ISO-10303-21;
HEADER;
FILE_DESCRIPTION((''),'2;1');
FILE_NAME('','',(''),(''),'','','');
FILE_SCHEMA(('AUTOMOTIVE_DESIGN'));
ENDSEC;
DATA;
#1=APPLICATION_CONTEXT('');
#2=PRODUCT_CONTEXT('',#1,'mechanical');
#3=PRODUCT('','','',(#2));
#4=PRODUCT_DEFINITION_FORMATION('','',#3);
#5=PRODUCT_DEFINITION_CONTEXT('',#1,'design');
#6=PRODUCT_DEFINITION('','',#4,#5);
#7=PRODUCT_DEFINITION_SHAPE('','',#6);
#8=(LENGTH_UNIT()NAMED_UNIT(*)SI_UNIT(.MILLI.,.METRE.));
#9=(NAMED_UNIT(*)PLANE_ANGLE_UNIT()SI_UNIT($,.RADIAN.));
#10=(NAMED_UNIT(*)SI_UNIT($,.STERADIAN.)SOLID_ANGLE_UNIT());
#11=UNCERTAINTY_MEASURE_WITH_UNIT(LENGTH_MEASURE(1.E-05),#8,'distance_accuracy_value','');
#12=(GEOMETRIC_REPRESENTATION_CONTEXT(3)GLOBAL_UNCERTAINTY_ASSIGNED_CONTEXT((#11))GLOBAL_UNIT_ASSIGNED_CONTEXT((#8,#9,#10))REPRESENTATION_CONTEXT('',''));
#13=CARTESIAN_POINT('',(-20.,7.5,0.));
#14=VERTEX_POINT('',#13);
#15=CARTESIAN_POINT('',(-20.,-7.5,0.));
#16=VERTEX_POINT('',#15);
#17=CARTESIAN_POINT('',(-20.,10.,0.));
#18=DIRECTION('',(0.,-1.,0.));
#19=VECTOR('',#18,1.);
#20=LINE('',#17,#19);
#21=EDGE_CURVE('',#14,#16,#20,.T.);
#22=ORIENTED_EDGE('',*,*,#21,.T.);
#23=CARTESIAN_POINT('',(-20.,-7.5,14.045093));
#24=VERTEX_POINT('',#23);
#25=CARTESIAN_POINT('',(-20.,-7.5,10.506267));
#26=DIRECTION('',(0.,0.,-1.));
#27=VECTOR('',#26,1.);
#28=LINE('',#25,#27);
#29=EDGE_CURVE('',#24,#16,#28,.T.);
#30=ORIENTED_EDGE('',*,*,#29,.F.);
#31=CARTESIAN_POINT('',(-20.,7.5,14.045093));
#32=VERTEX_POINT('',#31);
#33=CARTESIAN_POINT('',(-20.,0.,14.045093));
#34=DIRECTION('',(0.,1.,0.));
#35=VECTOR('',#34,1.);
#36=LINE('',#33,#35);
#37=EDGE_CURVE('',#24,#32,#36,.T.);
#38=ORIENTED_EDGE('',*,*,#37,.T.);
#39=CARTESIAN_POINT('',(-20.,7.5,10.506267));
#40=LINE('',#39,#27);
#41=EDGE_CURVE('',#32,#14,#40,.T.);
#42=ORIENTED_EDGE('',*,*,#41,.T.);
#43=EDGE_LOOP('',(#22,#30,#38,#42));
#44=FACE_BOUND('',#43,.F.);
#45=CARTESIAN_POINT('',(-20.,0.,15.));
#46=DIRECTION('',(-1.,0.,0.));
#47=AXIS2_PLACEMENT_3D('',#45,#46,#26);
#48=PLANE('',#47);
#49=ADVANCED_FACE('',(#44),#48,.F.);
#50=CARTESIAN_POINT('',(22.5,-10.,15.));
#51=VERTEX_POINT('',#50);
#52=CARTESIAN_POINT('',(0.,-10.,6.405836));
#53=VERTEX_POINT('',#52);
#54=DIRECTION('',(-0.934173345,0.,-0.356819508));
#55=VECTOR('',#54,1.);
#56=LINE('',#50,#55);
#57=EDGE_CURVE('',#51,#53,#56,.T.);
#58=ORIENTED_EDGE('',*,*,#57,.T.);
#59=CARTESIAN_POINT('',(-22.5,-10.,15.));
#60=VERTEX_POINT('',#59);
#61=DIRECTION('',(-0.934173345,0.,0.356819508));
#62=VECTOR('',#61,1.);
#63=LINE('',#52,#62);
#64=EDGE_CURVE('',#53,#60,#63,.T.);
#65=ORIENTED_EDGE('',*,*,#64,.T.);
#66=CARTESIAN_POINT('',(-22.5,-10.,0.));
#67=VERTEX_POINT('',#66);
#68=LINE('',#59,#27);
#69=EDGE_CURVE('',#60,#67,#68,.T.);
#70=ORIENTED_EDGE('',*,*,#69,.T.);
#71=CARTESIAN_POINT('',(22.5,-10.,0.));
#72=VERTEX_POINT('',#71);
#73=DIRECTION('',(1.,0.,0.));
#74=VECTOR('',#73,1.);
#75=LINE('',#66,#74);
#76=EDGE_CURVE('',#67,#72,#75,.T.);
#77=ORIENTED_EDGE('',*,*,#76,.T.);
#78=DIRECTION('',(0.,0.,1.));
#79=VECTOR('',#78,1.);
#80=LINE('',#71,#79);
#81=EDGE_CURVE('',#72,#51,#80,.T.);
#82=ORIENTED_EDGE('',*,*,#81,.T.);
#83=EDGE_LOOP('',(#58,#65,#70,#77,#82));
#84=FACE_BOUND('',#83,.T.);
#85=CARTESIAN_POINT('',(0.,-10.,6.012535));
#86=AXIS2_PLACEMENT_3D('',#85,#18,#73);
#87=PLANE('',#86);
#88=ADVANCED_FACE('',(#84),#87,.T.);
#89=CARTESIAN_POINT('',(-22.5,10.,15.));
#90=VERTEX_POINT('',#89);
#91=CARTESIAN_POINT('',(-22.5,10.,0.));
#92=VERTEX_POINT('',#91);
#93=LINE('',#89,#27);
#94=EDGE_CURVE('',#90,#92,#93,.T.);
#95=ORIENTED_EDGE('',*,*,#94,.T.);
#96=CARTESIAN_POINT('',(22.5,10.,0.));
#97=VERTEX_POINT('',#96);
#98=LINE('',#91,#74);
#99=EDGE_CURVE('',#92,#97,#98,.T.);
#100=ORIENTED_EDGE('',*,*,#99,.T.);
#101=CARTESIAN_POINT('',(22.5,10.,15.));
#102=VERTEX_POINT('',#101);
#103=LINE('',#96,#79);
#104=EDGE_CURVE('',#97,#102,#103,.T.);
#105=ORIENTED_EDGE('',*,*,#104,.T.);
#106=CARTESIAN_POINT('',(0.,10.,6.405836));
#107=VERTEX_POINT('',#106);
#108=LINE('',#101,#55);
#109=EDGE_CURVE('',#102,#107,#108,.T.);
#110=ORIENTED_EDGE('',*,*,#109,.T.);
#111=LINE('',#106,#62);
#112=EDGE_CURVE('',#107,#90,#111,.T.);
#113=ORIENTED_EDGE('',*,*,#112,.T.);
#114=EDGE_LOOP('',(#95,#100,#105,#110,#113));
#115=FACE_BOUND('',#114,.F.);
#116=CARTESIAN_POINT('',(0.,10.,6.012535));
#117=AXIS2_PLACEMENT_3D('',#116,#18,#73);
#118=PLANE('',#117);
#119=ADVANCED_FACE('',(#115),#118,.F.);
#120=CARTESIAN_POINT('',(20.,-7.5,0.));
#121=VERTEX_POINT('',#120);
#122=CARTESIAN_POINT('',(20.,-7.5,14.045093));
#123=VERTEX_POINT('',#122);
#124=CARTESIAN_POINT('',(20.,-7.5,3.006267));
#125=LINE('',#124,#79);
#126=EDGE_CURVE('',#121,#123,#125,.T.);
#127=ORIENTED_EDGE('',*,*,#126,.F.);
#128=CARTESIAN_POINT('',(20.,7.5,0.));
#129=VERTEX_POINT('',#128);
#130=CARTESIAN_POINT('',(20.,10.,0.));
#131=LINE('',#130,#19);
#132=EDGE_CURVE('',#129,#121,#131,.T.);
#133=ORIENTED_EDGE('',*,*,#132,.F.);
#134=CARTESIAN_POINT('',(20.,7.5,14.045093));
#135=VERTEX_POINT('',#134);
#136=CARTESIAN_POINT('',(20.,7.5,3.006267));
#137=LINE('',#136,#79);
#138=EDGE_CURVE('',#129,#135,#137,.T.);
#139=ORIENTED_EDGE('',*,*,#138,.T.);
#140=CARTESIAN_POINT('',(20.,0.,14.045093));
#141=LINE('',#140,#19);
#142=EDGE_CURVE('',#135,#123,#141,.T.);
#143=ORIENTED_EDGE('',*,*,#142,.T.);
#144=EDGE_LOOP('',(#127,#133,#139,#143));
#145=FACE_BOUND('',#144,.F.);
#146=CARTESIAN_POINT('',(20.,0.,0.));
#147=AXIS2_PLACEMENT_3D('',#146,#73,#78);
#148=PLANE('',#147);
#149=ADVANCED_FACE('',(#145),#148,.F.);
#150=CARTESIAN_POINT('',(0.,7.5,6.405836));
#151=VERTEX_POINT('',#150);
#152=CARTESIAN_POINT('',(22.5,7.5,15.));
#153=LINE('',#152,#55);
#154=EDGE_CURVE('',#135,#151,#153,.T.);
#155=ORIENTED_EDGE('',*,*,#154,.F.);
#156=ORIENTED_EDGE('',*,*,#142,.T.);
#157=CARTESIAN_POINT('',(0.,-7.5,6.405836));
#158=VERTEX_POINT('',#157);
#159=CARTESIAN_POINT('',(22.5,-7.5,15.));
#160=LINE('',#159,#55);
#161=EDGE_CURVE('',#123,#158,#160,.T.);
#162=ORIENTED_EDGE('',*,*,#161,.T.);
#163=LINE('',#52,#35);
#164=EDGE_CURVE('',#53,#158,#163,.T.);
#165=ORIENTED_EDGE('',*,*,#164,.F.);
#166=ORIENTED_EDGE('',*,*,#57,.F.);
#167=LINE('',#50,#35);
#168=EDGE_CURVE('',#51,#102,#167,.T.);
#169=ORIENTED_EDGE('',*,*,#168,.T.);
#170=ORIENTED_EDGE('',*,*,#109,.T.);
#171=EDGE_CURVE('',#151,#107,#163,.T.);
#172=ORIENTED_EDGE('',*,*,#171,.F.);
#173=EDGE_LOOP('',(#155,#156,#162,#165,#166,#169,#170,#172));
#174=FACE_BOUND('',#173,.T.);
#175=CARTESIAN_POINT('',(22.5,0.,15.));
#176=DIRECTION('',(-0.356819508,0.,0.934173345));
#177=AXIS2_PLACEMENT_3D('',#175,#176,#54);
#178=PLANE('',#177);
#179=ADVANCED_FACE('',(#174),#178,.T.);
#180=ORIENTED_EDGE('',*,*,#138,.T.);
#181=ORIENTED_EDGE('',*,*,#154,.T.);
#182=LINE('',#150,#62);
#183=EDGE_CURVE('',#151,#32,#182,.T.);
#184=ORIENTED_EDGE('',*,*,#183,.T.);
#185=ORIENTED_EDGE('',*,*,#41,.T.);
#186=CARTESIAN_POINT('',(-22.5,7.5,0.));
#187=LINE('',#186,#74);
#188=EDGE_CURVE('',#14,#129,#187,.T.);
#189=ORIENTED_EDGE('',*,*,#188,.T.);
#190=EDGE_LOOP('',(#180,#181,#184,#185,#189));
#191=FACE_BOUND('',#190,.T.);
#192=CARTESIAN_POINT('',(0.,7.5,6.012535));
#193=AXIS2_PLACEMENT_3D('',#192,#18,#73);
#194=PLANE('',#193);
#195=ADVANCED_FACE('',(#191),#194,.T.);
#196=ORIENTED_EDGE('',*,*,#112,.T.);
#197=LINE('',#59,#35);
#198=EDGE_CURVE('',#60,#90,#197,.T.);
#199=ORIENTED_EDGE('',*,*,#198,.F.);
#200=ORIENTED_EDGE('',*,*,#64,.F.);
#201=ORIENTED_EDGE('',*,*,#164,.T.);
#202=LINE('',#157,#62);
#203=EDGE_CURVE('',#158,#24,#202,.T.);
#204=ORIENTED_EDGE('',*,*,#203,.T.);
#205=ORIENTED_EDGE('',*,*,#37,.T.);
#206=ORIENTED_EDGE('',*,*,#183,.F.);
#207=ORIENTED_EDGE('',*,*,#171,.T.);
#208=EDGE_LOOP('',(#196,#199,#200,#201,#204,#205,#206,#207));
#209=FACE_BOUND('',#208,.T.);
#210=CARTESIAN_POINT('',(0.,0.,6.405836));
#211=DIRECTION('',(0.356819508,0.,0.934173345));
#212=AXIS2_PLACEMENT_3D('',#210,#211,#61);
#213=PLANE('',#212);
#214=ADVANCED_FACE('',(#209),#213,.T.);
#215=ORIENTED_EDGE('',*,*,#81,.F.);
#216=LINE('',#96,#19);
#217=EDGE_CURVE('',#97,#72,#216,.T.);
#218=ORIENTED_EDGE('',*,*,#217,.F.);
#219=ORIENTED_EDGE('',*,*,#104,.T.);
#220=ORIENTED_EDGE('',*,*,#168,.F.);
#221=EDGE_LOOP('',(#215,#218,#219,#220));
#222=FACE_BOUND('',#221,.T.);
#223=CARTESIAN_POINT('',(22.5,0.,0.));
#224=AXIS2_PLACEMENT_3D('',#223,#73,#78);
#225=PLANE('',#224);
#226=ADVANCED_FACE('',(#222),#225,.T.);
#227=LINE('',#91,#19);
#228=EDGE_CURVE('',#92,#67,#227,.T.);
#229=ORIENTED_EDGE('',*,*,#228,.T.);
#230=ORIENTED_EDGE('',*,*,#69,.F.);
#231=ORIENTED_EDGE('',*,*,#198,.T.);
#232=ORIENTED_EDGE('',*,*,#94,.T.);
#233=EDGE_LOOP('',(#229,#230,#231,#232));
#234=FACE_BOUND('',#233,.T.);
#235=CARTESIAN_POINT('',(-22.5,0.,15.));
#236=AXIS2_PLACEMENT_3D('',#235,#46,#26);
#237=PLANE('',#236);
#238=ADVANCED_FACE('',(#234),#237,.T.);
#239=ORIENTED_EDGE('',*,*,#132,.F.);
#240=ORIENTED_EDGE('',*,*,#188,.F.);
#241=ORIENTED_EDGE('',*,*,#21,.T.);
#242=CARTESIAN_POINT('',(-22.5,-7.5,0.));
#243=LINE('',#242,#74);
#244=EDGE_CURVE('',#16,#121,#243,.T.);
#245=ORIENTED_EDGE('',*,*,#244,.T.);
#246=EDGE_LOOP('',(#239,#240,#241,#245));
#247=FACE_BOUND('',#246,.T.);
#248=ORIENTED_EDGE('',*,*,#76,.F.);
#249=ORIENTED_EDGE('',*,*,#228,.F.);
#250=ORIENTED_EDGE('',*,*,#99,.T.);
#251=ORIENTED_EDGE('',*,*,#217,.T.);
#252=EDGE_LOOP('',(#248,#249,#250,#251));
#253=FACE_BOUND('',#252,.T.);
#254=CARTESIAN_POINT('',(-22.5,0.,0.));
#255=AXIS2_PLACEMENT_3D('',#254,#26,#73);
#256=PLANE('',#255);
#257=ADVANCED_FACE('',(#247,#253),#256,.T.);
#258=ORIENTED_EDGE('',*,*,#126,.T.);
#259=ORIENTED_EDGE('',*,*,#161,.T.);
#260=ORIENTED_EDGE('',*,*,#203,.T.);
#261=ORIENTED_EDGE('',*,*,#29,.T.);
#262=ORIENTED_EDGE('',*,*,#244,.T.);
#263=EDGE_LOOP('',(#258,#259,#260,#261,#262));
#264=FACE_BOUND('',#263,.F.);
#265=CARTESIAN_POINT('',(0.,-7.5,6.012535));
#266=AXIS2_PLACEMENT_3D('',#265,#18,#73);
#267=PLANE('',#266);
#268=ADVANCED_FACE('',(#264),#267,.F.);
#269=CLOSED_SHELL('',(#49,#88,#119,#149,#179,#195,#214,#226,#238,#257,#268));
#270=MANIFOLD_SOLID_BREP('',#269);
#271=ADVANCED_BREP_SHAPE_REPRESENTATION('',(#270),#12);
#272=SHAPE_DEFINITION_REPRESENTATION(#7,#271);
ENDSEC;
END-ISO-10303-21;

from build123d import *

# Parameters (mm, degrees)
F1_DEPTH      = 10
F1_DEPTH_BACK = 10
F2_T          = -2.5


with BuildPart() as f1:
    # F0 (on Front) → F1 (new body, two sides)
    with BuildSketch(Plane.XZ) as f1_sk:
        Polygon((-22.5, 15), (-22.5, 0), (22.5, 0), (22.5, 15), (0, 6.405836), align=None)
    extrude(amount=F1_DEPTH)
    extrude(f1_sk.sketch, amount=-F1_DEPTH_BACK)

    # F2
    f2_openings = [f1.faces().sort_by_distance(p)[0] for p in [
        (0, 0, 0),
        (-11.25, 0, 10.702918),
        (11.25, 0, 10.702918),
    ]]
    offset(amount=F2_T, openings=f2_openings)


solid = f1.part
